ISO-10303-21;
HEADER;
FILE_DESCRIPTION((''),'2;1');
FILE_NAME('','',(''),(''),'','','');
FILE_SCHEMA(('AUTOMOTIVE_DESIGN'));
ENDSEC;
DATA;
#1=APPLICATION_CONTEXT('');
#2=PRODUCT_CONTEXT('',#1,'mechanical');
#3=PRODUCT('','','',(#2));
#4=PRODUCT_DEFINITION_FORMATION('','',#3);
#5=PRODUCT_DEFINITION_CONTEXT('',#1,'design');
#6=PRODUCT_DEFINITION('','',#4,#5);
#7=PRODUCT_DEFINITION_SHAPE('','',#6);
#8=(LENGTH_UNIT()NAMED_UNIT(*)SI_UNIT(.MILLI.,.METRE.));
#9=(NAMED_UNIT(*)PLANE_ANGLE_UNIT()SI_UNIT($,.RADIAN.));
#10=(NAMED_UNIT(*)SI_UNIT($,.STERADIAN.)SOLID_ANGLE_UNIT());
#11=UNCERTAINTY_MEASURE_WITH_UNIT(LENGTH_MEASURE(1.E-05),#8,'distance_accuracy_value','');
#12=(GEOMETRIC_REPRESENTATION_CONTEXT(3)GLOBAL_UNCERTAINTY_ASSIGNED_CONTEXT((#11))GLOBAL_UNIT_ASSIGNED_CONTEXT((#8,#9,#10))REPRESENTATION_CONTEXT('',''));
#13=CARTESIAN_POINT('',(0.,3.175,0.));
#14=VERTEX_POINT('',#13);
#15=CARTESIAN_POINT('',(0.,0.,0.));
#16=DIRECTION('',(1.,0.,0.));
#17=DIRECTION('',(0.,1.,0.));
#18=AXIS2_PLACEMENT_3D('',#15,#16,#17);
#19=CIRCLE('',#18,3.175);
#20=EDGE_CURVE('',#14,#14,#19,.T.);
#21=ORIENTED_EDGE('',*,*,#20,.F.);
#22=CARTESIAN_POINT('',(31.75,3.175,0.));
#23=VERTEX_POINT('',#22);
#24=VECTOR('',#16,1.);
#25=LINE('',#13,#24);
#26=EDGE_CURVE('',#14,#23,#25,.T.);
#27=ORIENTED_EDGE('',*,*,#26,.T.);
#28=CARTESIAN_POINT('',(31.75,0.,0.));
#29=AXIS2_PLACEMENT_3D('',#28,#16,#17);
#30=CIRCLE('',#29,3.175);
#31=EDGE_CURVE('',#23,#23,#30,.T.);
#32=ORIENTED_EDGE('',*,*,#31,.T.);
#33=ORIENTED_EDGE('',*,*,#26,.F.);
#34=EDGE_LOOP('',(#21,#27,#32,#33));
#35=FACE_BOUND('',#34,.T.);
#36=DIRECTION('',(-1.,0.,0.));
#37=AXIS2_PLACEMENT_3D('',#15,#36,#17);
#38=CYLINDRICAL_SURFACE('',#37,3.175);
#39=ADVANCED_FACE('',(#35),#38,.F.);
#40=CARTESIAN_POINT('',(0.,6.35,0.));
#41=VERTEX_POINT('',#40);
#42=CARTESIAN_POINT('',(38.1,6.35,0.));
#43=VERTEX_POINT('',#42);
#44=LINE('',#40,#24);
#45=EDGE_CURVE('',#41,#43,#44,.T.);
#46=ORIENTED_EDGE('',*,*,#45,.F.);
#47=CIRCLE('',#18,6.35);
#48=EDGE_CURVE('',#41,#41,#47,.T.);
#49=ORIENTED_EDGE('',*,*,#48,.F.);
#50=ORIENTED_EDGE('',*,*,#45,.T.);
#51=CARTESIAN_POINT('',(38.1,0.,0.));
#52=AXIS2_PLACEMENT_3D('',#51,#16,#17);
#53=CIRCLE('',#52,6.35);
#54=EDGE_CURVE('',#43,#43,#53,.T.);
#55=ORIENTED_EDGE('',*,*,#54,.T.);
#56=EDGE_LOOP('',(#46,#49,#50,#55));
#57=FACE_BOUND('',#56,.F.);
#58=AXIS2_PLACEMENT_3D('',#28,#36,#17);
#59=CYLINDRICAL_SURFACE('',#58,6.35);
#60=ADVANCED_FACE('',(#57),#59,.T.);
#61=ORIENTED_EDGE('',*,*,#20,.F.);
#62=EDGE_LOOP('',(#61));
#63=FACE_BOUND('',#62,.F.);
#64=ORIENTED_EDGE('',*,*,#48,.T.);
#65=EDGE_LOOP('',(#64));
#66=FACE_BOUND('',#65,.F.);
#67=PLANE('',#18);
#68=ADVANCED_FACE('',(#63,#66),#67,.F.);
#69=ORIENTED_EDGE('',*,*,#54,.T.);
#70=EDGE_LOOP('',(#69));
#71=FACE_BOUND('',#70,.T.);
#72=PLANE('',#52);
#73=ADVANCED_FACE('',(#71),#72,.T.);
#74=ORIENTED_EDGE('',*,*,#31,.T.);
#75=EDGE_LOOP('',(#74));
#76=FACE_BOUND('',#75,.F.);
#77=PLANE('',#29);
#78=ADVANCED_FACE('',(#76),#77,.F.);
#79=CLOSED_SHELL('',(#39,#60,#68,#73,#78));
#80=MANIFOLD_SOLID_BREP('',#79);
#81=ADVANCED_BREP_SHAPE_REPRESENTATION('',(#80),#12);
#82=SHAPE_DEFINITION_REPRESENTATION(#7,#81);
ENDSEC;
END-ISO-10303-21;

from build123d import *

# Parameters (mm, degrees)
F0_R     = 6.35
F0_R_2   = 3.175
F1_DEPTH = 31.75
F2_R     = 6.35
F3_DEPTH = 6.35


with BuildPart() as f1:
    # F0 (on Right) → F1 (new body)
    with BuildSketch(Plane.YZ):
        Circle(F0_R)
        Circle(F0_R_2, mode=Mode.SUBTRACT)
    extrude(amount=F1_DEPTH)

    # F2 (on face) → F3 (join)
    with BuildSketch(Plane.YZ.offset(31.75)):
        Circle(F2_R)
    extrude(amount=F3_DEPTH)


solid = f1.part
